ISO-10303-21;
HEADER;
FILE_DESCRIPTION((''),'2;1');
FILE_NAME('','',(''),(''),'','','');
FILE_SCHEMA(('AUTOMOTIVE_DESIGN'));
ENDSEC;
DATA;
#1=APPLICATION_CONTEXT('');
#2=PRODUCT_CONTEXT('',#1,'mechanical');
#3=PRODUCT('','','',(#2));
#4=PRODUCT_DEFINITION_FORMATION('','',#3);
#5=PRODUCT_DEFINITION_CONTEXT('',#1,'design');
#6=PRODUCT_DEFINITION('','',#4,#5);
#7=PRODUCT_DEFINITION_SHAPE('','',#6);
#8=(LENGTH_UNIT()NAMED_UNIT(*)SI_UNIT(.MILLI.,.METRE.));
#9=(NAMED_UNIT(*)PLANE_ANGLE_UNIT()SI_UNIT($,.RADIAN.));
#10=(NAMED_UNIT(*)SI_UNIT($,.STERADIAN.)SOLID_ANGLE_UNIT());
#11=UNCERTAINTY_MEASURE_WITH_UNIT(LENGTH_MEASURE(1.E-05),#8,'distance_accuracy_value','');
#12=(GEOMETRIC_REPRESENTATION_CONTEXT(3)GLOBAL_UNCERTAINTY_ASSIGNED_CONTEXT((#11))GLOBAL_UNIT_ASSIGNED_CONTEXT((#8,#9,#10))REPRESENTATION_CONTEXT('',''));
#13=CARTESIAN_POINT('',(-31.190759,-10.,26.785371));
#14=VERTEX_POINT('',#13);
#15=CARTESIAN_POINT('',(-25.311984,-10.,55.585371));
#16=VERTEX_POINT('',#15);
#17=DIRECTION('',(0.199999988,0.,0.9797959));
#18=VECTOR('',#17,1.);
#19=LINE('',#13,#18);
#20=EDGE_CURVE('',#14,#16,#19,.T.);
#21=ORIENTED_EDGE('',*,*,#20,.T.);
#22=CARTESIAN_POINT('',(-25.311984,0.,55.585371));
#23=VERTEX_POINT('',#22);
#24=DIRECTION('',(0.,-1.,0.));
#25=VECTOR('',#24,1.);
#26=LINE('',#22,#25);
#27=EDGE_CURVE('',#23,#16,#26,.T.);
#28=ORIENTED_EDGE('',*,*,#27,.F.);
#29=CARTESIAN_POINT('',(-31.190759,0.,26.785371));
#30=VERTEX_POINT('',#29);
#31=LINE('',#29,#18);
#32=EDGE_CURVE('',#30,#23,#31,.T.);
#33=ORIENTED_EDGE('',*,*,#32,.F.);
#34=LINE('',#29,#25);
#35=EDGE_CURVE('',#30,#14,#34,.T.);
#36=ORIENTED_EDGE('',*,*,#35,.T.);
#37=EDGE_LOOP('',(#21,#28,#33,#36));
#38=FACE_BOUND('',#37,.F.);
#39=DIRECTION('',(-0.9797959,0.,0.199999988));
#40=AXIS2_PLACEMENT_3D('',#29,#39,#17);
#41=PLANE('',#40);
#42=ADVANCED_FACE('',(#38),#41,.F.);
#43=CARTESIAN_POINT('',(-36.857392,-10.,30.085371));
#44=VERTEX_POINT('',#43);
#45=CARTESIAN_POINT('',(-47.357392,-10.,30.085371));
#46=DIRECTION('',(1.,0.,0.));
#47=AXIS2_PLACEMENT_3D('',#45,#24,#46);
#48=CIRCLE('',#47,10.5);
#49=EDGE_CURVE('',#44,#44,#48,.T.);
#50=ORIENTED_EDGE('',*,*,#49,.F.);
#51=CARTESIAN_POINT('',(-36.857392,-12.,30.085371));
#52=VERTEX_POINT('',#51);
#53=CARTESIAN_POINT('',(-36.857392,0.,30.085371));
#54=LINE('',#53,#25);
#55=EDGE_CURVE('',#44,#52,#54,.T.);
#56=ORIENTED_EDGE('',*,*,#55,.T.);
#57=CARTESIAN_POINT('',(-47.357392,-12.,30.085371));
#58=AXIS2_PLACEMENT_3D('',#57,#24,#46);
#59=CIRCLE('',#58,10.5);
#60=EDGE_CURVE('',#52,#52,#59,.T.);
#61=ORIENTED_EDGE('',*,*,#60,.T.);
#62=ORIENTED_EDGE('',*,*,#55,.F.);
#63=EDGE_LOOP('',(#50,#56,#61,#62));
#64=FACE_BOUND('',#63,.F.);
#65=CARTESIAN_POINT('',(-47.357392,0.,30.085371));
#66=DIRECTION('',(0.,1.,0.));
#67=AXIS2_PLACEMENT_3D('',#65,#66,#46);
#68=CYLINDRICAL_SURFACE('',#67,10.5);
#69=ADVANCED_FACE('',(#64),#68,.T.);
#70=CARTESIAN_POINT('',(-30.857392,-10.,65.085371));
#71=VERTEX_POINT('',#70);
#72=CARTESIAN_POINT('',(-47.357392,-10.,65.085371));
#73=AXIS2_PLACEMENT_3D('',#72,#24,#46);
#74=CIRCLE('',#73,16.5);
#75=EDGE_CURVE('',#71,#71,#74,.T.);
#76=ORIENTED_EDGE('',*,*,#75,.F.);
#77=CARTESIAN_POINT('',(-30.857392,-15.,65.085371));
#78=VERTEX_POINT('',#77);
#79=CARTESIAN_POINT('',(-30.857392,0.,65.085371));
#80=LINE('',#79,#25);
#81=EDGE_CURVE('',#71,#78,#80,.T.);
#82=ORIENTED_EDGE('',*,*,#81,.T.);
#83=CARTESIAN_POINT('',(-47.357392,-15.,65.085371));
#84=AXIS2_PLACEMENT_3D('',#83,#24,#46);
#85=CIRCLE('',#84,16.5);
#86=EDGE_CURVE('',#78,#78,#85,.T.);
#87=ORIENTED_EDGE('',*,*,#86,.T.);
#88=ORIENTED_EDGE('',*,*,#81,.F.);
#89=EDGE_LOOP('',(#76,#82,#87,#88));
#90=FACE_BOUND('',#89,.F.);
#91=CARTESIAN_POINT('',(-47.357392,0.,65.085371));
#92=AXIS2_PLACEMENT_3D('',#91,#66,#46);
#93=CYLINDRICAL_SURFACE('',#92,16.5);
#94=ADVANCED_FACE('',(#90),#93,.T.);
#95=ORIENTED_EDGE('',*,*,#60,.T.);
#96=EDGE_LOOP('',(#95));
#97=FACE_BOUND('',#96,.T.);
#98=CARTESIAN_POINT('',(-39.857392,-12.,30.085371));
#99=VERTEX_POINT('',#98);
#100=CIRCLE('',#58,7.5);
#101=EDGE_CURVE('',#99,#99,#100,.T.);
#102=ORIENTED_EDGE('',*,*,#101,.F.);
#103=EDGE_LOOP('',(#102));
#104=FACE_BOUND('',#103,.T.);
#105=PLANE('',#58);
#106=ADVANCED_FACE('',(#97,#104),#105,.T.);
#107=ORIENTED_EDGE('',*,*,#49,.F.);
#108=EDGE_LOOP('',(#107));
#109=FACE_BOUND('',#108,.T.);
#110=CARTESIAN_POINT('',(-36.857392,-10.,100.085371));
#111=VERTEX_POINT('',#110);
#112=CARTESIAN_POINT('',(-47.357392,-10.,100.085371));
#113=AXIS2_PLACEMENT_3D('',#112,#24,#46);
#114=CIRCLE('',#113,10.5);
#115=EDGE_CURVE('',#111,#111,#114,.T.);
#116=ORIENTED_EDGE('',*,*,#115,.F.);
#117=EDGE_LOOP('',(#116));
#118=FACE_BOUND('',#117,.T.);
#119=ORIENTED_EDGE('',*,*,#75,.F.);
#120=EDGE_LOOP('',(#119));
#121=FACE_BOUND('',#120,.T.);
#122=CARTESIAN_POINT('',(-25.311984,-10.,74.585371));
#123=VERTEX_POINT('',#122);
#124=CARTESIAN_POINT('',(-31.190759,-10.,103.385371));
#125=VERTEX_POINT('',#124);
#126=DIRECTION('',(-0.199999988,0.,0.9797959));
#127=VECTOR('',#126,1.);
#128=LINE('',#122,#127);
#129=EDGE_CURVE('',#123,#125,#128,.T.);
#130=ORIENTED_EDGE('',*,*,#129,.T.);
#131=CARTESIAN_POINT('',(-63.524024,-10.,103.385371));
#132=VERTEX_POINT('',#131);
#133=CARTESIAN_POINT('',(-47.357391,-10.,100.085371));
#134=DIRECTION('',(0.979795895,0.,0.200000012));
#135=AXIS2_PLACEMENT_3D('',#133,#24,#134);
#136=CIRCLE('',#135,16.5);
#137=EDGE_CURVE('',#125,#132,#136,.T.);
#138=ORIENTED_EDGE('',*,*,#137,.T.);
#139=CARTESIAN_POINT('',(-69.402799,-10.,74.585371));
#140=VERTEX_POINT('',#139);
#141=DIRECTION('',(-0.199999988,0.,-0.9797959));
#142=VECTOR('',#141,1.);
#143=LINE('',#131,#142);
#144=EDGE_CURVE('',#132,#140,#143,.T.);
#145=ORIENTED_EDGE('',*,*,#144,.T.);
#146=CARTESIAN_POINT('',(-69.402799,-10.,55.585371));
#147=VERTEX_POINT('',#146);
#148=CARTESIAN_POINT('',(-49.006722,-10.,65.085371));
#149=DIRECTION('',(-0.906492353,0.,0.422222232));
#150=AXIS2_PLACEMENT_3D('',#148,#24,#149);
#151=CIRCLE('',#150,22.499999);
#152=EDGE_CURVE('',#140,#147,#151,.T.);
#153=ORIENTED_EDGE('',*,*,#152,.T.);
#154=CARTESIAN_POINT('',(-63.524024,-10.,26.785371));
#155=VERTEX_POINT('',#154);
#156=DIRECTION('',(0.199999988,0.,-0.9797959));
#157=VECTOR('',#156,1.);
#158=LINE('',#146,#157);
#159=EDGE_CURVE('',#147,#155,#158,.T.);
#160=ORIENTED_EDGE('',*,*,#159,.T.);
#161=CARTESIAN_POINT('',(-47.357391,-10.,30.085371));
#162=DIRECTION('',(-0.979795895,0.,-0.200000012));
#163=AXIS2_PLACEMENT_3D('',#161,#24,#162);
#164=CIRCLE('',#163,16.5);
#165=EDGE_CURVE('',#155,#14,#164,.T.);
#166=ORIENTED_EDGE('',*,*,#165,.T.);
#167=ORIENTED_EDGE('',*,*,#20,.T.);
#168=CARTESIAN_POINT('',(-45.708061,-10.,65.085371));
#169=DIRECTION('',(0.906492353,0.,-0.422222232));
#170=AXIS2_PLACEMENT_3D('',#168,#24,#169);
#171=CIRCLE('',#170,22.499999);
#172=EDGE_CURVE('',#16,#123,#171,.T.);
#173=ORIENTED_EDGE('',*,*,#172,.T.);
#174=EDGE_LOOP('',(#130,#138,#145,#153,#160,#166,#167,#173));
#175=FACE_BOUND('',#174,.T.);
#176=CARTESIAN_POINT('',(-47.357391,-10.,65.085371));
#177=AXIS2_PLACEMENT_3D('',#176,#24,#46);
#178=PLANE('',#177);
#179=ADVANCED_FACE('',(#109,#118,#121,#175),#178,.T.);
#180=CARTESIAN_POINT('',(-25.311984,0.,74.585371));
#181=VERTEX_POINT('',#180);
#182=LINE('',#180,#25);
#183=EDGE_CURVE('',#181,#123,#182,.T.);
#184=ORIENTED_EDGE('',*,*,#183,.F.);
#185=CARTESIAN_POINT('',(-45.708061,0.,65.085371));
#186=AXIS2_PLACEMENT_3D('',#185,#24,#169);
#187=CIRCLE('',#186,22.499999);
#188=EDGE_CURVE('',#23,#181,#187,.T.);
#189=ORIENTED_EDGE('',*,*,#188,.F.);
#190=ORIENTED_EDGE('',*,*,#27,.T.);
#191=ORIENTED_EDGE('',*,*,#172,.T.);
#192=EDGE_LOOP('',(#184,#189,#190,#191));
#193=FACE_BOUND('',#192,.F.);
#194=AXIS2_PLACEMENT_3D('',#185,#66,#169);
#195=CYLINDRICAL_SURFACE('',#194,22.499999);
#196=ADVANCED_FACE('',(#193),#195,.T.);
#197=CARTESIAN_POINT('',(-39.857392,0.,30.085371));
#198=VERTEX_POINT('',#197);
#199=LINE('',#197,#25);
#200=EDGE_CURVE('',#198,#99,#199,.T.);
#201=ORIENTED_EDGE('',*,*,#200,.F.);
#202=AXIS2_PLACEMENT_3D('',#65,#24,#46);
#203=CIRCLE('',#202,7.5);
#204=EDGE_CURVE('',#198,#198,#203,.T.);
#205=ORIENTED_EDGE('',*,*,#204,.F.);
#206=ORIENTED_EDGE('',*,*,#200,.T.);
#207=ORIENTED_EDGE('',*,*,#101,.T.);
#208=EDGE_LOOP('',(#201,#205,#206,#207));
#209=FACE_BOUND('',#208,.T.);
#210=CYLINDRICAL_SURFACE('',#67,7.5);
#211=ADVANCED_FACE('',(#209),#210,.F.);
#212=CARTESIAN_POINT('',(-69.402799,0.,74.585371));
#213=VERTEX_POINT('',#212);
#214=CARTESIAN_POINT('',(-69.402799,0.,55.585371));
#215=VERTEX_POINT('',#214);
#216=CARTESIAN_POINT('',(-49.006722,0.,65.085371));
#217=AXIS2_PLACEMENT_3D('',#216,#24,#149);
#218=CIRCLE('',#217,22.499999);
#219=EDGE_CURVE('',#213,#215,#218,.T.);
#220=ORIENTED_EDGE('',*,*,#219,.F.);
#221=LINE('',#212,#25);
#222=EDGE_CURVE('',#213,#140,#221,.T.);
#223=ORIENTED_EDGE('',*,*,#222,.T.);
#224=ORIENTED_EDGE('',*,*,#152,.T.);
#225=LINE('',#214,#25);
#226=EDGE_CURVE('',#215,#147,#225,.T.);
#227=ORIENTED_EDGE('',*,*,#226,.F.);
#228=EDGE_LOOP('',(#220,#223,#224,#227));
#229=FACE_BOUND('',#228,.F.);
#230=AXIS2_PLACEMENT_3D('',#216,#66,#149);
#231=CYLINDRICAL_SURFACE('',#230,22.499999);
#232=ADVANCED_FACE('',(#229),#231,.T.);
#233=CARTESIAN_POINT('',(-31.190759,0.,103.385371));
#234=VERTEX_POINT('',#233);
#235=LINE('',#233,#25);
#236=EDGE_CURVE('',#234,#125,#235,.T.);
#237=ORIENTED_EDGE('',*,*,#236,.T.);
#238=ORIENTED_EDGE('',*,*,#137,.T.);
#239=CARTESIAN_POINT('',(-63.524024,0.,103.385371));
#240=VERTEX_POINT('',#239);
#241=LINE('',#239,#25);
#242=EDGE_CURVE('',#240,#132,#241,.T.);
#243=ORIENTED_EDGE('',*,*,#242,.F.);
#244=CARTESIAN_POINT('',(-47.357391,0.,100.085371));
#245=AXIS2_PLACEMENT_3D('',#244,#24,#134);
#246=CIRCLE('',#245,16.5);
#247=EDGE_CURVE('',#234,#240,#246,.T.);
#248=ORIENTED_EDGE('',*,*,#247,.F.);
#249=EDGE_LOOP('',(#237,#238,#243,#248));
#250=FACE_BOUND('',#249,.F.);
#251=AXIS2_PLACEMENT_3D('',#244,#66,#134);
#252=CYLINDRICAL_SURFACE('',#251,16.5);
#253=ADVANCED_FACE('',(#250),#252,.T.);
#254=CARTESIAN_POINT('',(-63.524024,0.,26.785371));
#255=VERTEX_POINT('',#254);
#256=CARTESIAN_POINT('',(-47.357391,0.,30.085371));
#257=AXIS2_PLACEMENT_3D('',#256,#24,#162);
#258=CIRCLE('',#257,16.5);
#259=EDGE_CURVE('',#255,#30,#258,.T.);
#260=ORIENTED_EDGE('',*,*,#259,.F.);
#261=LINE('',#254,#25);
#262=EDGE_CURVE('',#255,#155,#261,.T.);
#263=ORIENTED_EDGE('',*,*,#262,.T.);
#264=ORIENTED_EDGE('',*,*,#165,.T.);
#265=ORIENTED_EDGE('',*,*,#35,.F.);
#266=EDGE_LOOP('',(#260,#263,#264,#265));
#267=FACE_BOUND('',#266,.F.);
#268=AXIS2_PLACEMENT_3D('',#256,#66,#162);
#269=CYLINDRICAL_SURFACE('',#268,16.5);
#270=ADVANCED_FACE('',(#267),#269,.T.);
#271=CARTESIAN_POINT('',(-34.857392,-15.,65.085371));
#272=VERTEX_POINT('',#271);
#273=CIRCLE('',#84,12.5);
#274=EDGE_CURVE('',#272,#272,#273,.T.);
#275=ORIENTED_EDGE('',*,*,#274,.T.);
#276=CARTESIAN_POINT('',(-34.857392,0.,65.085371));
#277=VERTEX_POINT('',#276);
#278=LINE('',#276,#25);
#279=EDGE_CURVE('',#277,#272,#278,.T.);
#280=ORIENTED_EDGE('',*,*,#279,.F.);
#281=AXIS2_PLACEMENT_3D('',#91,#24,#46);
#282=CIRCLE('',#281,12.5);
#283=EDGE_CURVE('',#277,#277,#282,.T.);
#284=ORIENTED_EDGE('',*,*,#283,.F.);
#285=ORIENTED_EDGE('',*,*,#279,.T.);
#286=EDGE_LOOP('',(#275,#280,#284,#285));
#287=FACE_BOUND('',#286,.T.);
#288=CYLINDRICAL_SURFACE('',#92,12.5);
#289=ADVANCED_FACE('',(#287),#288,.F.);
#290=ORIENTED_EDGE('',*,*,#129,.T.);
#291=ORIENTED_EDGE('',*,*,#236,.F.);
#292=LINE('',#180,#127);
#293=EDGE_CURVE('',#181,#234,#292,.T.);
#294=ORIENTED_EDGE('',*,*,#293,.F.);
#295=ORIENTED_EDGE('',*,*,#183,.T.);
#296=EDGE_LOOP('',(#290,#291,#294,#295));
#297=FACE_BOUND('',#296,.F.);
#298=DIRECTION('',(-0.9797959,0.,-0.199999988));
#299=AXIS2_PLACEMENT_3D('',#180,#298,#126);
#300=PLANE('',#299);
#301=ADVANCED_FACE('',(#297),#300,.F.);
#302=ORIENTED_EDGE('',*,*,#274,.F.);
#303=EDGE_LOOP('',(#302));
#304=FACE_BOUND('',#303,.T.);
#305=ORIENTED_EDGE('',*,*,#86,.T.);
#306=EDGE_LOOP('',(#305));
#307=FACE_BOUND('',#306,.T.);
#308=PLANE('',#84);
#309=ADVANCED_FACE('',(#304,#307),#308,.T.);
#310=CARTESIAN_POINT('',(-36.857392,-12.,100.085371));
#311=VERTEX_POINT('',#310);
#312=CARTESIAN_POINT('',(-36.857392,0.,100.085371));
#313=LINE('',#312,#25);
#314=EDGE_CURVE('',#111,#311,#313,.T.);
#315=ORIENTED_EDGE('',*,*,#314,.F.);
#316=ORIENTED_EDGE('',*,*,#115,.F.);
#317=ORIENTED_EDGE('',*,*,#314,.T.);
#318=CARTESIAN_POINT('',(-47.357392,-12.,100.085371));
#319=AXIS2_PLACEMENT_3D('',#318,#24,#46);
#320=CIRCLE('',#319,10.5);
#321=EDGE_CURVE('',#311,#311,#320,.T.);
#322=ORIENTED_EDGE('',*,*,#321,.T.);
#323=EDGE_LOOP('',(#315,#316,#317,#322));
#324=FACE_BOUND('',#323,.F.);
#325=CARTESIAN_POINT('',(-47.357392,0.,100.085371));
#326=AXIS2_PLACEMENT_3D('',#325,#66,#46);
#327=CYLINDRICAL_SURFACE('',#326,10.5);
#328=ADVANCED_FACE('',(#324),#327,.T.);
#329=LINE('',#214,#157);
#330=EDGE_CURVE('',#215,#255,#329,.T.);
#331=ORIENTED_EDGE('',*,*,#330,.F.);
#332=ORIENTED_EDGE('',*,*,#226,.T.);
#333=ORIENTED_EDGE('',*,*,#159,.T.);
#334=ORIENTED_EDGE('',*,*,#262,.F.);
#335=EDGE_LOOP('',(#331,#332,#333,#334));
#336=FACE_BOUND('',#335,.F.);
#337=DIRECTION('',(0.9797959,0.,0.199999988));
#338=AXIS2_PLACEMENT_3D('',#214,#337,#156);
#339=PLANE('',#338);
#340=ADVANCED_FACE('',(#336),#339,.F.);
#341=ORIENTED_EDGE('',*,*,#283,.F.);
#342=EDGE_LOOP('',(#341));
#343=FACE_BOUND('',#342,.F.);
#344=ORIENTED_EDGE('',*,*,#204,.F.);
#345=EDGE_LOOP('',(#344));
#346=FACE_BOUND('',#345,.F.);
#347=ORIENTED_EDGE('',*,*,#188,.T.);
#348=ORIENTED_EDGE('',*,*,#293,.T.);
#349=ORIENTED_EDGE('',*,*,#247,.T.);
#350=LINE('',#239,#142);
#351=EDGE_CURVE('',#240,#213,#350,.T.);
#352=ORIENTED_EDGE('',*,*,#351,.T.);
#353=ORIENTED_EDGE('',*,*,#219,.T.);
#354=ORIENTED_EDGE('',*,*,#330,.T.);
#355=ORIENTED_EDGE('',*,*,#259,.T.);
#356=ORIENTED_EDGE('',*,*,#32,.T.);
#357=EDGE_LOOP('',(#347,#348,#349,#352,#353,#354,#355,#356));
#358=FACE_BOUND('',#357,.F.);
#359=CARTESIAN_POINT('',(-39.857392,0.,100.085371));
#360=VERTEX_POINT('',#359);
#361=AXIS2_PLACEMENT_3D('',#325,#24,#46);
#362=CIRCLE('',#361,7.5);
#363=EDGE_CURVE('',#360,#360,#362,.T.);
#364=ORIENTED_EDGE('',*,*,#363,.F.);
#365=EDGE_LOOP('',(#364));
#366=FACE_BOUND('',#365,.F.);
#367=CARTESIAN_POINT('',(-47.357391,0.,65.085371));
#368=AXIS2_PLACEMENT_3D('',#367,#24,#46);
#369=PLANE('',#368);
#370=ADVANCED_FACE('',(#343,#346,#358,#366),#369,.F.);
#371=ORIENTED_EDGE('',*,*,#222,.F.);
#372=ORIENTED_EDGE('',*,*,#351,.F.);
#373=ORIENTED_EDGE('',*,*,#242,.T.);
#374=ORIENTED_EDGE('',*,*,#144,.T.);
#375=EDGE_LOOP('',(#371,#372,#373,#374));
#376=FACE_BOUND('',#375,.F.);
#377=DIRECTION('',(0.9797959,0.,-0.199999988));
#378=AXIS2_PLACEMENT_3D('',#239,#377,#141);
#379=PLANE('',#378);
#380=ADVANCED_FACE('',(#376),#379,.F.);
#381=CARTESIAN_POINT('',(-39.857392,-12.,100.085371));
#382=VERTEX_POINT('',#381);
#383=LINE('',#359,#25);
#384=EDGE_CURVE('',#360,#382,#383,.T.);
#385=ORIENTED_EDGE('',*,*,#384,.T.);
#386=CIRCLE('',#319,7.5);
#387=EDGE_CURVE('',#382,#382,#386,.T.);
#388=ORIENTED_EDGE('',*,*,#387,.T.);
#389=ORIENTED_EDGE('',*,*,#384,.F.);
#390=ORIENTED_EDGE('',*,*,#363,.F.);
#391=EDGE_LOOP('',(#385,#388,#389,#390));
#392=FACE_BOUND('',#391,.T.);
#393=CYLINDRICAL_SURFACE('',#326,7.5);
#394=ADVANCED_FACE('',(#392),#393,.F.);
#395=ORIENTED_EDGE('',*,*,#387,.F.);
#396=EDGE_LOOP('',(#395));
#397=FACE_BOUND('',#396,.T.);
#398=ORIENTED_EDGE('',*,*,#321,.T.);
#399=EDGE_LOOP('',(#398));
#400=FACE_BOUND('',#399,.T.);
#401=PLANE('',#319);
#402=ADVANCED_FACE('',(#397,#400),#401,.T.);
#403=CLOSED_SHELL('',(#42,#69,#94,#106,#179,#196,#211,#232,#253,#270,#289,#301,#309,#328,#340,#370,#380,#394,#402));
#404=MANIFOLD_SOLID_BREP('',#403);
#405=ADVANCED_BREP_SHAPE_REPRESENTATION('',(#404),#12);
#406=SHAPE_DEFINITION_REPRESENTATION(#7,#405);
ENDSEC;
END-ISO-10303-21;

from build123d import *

# Parameters (mm, degrees)
F0_R     = 16.5
F0_R_2   = 12.5
F1_DEPTH = 15
F0_R_3   = 10.5
F2_DEPTH = 10
F0_R_4   = 7.5
F3_DEPTH = 12


with BuildPart() as f1:
    # F0 (on Front) → F1 (new body)
    with BuildSketch(Plane.XZ):
        with Locations((-47.357392, 65.085371)):
            Circle(F0_R)
        with Locations((-47.357392, 65.085371)):
            Circle(F0_R_2, mode=Mode.SUBTRACT)
    extrude(amount=F1_DEPTH)

    # F0 (on Front) → F2 (join)
    with BuildSketch(Plane.XZ):
        with BuildLine():
            Line((-25.311984, 74.585371), (-31.190759, 103.385371))
            ThreePointArc((-31.190759, 103.385371), (-47.357392, 116.585371), (-63.524024, 103.385371))
            Line((-63.524024, 103.385371), (-69.402799, 74.585371))
            ThreePointArc((-69.402799, 74.585371), (-71.506721, 65.085371), (-69.402799, 55.585371))
            Line((-69.402799, 55.585371), (-63.524024, 26.785371))
            ThreePointArc((-63.524024, 26.785371), (-47.357392, 13.585371), (-31.190759, 26.785371))
            Line((-31.190759, 26.785371), (-25.311984, 55.585371))
            ThreePointArc((-25.311984, 55.585371), (-23.208062, 65.085371), (-25.311984, 74.585371))
        make_face()
        with Locations((-47.357392, 30.085371)):
            Circle(F0_R_3, mode=Mode.SUBTRACT)
        with Locations((-47.357392, 65.085371)):
            Circle(F0_R, mode=Mode.SUBTRACT)
        with Locations((-47.357392, 100.085371)):
            Circle(F0_R_3, mode=Mode.SUBTRACT)
    extrude(amount=F2_DEPTH)

    # F0 (on Front) → F3 (join)
    with BuildSketch(Plane.XZ):
        with Locations((-47.357392, 100.085371)):
            Circle(F0_R_3)
        with Locations((-47.357392, 100.085371)):
            Circle(F0_R_4, mode=Mode.SUBTRACT)
        with Locations((-47.357392, 30.085371)):
            Circle(F0_R_3)
        with Locations((-47.357392, 30.085371)):
            Circle(F0_R_4, mode=Mode.SUBTRACT)
    extrude(amount=F3_DEPTH)


solid = f1.part
